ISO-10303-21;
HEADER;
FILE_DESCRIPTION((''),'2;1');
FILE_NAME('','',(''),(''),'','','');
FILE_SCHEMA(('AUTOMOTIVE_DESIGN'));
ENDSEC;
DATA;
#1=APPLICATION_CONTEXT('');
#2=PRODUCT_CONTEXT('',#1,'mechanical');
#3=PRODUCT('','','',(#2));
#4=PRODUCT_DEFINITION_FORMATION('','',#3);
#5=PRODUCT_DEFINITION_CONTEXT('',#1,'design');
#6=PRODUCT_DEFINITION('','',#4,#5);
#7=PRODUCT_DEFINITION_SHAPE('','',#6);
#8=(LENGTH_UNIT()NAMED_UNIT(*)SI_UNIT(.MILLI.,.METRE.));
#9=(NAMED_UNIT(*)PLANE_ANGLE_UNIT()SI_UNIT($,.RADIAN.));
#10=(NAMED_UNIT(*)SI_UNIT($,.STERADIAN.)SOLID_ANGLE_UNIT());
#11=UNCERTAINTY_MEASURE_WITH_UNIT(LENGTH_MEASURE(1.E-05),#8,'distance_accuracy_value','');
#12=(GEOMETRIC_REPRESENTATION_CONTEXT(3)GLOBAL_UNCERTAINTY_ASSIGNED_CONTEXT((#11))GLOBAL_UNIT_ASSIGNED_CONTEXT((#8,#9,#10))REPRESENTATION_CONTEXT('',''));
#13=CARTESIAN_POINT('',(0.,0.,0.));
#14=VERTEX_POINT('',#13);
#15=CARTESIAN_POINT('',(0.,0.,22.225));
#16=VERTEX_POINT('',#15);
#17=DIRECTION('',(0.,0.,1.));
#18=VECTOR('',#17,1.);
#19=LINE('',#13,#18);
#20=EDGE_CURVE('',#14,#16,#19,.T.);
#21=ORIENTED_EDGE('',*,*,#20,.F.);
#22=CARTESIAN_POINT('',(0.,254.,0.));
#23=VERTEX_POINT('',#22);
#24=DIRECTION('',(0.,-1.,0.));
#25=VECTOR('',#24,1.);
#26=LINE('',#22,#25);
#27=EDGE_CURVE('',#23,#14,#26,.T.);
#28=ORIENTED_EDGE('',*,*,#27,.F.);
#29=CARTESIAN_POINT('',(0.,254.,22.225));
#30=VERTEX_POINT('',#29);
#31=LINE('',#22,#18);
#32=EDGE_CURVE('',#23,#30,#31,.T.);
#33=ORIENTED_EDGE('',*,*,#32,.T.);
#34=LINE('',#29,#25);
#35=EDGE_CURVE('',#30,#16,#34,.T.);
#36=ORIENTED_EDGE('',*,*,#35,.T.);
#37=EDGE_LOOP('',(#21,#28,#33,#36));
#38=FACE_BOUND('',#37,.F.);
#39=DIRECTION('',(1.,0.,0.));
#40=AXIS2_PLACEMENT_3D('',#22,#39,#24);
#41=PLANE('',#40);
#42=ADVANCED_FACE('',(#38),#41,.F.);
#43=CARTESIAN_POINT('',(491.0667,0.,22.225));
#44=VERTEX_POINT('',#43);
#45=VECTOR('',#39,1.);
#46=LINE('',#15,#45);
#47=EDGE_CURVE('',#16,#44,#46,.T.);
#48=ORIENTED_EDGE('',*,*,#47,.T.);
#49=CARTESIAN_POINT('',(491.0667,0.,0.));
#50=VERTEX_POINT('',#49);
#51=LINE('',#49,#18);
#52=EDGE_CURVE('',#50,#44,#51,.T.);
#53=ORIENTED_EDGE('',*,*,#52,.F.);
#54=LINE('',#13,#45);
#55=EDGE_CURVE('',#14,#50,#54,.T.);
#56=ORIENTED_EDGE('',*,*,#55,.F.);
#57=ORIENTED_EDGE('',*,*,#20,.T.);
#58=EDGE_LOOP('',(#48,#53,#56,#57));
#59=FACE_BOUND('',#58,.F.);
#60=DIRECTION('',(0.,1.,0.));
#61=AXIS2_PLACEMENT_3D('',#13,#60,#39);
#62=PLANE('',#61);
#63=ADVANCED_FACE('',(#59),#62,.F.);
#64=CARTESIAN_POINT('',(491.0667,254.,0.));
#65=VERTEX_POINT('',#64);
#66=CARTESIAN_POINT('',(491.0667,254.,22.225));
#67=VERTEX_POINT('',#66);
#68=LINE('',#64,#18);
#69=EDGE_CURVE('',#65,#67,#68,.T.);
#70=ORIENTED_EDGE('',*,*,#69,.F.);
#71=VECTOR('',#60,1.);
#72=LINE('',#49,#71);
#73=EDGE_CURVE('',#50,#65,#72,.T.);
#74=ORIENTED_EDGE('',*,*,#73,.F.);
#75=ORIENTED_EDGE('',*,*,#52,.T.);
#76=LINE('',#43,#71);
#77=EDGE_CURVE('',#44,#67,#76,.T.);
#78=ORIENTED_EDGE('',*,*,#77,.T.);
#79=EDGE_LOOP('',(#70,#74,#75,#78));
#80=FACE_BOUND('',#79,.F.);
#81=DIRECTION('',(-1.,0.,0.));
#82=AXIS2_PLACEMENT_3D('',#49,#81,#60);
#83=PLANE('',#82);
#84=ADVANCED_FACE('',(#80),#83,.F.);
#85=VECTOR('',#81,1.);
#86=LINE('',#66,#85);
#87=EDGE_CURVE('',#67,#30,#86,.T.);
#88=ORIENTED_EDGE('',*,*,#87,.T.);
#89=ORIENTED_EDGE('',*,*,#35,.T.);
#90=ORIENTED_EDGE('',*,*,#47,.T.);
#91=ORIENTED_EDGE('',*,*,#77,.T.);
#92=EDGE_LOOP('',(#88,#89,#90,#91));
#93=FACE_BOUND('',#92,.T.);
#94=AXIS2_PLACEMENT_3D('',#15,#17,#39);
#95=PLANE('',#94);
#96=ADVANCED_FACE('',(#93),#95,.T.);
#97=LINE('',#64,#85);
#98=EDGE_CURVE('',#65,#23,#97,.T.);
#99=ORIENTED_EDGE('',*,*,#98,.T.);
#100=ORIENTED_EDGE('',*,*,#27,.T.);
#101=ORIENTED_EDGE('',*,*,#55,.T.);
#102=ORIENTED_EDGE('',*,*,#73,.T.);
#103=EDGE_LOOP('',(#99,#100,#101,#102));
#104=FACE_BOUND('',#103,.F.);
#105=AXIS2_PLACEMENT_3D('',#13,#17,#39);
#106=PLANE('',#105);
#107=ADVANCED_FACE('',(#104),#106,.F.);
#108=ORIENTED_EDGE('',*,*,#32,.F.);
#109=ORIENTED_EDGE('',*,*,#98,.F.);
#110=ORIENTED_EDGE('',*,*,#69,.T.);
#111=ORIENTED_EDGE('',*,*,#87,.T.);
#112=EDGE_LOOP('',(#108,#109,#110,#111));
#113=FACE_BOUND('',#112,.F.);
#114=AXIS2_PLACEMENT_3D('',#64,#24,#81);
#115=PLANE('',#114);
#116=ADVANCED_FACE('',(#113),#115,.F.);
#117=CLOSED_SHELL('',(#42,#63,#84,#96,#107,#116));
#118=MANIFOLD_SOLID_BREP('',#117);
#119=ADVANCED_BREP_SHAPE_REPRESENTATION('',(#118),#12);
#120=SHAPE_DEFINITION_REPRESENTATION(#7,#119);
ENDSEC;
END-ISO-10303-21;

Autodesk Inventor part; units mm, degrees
ref_plane "YZ Plane" through (0, 0, 0) normal (1, 0, 0) x (0, 1, 0)
ref_plane "XZ Plane" through (0, 0, 0) normal (0, 1, 0) x (-1, 0, 0)
ref_plane "XY Plane" through (0, 0, 0) normal (0, 0, 1) x (1, 0, 0)
sketch "Sketch1" plane through (0, 0, 0) normal (0, 0, 1) x (1, 0, 0)
  line L0 (0, 0) -> (491.0667, 0)
  line L1 (491.0667, 0) -> (491.0667, 254)
  line L2 (491.0667, 254) -> (0, 254)
  line L3 (0, 254) -> (0, 0)
  dimension "d0" = 491.0667
  dimension "d1" = 254
extrude "Extrusion1" add sketch "Sketch1" along normal blind 22.225
properties part number "base long wall h bar"
